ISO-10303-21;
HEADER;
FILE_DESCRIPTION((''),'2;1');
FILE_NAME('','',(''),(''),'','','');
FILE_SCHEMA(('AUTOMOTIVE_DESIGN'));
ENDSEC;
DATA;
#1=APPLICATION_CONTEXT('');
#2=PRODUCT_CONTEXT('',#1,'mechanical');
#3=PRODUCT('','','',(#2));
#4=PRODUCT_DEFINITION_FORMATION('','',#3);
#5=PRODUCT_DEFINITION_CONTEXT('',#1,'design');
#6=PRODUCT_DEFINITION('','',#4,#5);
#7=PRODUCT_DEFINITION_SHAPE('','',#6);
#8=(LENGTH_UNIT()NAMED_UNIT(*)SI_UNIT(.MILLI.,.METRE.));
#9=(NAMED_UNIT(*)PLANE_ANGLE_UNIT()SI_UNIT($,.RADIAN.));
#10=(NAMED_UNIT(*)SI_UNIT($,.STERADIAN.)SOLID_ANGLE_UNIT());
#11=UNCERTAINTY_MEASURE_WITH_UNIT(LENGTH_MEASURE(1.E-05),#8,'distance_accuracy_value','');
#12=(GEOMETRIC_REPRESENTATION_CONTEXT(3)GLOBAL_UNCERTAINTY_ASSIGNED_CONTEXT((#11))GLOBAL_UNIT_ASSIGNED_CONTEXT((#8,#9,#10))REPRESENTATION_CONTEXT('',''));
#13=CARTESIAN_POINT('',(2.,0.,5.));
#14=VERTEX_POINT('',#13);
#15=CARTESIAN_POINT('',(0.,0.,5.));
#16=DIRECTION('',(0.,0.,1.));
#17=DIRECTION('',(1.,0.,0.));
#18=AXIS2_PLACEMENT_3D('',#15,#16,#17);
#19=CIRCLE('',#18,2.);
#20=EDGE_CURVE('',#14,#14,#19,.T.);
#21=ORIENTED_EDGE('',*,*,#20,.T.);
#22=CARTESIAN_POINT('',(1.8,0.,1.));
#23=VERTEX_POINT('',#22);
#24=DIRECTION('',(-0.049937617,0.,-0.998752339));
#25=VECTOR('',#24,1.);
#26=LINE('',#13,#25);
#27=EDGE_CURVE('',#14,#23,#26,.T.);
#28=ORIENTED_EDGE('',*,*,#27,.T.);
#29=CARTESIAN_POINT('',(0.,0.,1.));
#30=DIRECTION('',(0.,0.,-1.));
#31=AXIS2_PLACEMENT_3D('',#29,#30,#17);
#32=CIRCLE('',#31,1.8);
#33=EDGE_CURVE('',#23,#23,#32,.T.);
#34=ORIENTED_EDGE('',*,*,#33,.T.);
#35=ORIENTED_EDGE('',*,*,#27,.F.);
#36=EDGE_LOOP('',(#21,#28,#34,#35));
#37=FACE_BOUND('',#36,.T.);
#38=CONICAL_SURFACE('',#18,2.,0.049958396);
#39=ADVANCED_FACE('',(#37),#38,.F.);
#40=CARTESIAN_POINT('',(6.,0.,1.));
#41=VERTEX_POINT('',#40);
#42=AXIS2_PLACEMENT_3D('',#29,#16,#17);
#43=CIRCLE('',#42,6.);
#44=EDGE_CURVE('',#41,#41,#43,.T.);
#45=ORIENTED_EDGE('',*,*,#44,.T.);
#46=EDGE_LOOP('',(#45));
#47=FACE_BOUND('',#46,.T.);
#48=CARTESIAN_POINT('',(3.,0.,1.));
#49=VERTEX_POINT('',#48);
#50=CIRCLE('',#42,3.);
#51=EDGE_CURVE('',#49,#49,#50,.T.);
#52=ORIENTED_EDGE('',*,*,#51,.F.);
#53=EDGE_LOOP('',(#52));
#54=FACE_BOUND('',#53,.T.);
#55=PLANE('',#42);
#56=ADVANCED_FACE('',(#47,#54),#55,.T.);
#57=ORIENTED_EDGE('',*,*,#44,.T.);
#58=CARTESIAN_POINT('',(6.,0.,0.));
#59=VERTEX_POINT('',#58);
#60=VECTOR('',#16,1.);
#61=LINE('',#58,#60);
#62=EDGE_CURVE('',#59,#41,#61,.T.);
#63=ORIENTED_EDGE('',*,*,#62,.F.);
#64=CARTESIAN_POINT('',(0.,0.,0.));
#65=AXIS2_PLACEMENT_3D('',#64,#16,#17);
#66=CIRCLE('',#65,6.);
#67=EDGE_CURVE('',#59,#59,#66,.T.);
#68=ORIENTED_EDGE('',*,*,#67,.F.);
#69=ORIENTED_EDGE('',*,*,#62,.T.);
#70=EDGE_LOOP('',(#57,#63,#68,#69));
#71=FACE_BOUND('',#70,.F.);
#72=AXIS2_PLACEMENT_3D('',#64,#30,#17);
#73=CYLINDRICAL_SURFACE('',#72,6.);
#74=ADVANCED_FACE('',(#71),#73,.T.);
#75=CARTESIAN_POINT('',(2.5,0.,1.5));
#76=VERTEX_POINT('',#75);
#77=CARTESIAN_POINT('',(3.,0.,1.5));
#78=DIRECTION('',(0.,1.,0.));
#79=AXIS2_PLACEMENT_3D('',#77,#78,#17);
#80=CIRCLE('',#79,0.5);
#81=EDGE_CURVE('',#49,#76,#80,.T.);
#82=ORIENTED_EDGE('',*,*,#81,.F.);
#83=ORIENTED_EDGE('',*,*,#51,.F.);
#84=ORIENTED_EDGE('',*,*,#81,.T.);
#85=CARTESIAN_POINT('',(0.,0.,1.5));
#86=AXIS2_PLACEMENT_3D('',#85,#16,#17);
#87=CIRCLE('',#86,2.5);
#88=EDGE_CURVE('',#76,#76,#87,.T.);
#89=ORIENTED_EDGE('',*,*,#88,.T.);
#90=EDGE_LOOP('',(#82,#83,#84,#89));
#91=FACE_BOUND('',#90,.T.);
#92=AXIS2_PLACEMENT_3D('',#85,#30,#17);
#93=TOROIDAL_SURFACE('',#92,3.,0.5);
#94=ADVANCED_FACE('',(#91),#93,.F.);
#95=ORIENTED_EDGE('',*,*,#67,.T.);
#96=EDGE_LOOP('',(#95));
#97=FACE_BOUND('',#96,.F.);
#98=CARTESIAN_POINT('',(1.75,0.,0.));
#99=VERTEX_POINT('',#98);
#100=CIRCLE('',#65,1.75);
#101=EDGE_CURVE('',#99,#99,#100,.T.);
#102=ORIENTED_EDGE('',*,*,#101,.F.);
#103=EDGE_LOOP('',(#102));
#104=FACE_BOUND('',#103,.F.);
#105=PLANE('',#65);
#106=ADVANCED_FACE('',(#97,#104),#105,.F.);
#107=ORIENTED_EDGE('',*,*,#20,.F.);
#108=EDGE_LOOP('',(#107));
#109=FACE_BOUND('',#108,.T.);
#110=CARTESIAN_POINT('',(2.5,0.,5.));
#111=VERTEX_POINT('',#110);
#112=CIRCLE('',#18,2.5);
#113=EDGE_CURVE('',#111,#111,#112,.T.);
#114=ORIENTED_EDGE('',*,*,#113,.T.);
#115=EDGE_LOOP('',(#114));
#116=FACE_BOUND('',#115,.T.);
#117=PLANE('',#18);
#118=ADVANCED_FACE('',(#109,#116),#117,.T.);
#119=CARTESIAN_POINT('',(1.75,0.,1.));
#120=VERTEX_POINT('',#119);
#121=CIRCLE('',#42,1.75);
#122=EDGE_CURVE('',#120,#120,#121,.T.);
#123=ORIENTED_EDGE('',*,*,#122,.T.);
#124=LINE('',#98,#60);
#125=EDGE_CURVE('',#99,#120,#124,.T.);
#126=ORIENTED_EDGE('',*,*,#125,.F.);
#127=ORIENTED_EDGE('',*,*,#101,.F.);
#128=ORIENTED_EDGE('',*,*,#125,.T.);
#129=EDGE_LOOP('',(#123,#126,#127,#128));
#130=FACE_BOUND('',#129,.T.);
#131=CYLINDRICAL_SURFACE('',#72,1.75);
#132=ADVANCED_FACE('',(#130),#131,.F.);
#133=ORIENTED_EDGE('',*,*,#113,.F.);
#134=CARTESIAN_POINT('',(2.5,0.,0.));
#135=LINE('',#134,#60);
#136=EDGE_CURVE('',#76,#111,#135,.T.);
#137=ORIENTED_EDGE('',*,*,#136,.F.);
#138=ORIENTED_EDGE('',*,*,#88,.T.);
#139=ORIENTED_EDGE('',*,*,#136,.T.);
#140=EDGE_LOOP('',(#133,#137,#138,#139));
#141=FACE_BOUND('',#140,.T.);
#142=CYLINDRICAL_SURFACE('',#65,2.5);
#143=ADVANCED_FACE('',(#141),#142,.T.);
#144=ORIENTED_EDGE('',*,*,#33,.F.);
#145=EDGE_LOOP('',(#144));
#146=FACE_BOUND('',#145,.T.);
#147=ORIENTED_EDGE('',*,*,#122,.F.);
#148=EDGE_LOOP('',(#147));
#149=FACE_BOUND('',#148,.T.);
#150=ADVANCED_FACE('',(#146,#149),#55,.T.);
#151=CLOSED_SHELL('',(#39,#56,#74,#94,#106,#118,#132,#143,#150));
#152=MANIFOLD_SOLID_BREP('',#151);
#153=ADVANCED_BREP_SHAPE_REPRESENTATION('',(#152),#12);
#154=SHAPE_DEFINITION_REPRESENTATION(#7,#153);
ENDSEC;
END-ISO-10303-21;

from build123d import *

# Parameters (mm, degrees)
F0_R     = 6
F0_R_2   = 1.75
F4_DEPTH = 1
F5_R     = 0.5


with BuildPart() as f3:
    # F2 (on Front) → F3 (revolve)
    with BuildSketch(Plane.XZ):
        Polygon((1.75, 0), (2.5, 0), (2.5, 5), (2, 5), align=None)
    revolve(axis=Axis((0, 0, 2), (0, 0, 1)))

    # F0 (on Top) → F4 (join)
    with BuildSketch(Plane.XY):
        Circle(F0_R)
        Circle(F0_R_2, mode=Mode.SUBTRACT)
    extrude(amount=F4_DEPTH)

    # F5
    f5_edges = [f3.edges().sort_by_distance(p)[0] for p in [
        (-2.5, 0, 1),
    ]]
    fillet(f5_edges, radius=F5_R)


solid = f3.part
